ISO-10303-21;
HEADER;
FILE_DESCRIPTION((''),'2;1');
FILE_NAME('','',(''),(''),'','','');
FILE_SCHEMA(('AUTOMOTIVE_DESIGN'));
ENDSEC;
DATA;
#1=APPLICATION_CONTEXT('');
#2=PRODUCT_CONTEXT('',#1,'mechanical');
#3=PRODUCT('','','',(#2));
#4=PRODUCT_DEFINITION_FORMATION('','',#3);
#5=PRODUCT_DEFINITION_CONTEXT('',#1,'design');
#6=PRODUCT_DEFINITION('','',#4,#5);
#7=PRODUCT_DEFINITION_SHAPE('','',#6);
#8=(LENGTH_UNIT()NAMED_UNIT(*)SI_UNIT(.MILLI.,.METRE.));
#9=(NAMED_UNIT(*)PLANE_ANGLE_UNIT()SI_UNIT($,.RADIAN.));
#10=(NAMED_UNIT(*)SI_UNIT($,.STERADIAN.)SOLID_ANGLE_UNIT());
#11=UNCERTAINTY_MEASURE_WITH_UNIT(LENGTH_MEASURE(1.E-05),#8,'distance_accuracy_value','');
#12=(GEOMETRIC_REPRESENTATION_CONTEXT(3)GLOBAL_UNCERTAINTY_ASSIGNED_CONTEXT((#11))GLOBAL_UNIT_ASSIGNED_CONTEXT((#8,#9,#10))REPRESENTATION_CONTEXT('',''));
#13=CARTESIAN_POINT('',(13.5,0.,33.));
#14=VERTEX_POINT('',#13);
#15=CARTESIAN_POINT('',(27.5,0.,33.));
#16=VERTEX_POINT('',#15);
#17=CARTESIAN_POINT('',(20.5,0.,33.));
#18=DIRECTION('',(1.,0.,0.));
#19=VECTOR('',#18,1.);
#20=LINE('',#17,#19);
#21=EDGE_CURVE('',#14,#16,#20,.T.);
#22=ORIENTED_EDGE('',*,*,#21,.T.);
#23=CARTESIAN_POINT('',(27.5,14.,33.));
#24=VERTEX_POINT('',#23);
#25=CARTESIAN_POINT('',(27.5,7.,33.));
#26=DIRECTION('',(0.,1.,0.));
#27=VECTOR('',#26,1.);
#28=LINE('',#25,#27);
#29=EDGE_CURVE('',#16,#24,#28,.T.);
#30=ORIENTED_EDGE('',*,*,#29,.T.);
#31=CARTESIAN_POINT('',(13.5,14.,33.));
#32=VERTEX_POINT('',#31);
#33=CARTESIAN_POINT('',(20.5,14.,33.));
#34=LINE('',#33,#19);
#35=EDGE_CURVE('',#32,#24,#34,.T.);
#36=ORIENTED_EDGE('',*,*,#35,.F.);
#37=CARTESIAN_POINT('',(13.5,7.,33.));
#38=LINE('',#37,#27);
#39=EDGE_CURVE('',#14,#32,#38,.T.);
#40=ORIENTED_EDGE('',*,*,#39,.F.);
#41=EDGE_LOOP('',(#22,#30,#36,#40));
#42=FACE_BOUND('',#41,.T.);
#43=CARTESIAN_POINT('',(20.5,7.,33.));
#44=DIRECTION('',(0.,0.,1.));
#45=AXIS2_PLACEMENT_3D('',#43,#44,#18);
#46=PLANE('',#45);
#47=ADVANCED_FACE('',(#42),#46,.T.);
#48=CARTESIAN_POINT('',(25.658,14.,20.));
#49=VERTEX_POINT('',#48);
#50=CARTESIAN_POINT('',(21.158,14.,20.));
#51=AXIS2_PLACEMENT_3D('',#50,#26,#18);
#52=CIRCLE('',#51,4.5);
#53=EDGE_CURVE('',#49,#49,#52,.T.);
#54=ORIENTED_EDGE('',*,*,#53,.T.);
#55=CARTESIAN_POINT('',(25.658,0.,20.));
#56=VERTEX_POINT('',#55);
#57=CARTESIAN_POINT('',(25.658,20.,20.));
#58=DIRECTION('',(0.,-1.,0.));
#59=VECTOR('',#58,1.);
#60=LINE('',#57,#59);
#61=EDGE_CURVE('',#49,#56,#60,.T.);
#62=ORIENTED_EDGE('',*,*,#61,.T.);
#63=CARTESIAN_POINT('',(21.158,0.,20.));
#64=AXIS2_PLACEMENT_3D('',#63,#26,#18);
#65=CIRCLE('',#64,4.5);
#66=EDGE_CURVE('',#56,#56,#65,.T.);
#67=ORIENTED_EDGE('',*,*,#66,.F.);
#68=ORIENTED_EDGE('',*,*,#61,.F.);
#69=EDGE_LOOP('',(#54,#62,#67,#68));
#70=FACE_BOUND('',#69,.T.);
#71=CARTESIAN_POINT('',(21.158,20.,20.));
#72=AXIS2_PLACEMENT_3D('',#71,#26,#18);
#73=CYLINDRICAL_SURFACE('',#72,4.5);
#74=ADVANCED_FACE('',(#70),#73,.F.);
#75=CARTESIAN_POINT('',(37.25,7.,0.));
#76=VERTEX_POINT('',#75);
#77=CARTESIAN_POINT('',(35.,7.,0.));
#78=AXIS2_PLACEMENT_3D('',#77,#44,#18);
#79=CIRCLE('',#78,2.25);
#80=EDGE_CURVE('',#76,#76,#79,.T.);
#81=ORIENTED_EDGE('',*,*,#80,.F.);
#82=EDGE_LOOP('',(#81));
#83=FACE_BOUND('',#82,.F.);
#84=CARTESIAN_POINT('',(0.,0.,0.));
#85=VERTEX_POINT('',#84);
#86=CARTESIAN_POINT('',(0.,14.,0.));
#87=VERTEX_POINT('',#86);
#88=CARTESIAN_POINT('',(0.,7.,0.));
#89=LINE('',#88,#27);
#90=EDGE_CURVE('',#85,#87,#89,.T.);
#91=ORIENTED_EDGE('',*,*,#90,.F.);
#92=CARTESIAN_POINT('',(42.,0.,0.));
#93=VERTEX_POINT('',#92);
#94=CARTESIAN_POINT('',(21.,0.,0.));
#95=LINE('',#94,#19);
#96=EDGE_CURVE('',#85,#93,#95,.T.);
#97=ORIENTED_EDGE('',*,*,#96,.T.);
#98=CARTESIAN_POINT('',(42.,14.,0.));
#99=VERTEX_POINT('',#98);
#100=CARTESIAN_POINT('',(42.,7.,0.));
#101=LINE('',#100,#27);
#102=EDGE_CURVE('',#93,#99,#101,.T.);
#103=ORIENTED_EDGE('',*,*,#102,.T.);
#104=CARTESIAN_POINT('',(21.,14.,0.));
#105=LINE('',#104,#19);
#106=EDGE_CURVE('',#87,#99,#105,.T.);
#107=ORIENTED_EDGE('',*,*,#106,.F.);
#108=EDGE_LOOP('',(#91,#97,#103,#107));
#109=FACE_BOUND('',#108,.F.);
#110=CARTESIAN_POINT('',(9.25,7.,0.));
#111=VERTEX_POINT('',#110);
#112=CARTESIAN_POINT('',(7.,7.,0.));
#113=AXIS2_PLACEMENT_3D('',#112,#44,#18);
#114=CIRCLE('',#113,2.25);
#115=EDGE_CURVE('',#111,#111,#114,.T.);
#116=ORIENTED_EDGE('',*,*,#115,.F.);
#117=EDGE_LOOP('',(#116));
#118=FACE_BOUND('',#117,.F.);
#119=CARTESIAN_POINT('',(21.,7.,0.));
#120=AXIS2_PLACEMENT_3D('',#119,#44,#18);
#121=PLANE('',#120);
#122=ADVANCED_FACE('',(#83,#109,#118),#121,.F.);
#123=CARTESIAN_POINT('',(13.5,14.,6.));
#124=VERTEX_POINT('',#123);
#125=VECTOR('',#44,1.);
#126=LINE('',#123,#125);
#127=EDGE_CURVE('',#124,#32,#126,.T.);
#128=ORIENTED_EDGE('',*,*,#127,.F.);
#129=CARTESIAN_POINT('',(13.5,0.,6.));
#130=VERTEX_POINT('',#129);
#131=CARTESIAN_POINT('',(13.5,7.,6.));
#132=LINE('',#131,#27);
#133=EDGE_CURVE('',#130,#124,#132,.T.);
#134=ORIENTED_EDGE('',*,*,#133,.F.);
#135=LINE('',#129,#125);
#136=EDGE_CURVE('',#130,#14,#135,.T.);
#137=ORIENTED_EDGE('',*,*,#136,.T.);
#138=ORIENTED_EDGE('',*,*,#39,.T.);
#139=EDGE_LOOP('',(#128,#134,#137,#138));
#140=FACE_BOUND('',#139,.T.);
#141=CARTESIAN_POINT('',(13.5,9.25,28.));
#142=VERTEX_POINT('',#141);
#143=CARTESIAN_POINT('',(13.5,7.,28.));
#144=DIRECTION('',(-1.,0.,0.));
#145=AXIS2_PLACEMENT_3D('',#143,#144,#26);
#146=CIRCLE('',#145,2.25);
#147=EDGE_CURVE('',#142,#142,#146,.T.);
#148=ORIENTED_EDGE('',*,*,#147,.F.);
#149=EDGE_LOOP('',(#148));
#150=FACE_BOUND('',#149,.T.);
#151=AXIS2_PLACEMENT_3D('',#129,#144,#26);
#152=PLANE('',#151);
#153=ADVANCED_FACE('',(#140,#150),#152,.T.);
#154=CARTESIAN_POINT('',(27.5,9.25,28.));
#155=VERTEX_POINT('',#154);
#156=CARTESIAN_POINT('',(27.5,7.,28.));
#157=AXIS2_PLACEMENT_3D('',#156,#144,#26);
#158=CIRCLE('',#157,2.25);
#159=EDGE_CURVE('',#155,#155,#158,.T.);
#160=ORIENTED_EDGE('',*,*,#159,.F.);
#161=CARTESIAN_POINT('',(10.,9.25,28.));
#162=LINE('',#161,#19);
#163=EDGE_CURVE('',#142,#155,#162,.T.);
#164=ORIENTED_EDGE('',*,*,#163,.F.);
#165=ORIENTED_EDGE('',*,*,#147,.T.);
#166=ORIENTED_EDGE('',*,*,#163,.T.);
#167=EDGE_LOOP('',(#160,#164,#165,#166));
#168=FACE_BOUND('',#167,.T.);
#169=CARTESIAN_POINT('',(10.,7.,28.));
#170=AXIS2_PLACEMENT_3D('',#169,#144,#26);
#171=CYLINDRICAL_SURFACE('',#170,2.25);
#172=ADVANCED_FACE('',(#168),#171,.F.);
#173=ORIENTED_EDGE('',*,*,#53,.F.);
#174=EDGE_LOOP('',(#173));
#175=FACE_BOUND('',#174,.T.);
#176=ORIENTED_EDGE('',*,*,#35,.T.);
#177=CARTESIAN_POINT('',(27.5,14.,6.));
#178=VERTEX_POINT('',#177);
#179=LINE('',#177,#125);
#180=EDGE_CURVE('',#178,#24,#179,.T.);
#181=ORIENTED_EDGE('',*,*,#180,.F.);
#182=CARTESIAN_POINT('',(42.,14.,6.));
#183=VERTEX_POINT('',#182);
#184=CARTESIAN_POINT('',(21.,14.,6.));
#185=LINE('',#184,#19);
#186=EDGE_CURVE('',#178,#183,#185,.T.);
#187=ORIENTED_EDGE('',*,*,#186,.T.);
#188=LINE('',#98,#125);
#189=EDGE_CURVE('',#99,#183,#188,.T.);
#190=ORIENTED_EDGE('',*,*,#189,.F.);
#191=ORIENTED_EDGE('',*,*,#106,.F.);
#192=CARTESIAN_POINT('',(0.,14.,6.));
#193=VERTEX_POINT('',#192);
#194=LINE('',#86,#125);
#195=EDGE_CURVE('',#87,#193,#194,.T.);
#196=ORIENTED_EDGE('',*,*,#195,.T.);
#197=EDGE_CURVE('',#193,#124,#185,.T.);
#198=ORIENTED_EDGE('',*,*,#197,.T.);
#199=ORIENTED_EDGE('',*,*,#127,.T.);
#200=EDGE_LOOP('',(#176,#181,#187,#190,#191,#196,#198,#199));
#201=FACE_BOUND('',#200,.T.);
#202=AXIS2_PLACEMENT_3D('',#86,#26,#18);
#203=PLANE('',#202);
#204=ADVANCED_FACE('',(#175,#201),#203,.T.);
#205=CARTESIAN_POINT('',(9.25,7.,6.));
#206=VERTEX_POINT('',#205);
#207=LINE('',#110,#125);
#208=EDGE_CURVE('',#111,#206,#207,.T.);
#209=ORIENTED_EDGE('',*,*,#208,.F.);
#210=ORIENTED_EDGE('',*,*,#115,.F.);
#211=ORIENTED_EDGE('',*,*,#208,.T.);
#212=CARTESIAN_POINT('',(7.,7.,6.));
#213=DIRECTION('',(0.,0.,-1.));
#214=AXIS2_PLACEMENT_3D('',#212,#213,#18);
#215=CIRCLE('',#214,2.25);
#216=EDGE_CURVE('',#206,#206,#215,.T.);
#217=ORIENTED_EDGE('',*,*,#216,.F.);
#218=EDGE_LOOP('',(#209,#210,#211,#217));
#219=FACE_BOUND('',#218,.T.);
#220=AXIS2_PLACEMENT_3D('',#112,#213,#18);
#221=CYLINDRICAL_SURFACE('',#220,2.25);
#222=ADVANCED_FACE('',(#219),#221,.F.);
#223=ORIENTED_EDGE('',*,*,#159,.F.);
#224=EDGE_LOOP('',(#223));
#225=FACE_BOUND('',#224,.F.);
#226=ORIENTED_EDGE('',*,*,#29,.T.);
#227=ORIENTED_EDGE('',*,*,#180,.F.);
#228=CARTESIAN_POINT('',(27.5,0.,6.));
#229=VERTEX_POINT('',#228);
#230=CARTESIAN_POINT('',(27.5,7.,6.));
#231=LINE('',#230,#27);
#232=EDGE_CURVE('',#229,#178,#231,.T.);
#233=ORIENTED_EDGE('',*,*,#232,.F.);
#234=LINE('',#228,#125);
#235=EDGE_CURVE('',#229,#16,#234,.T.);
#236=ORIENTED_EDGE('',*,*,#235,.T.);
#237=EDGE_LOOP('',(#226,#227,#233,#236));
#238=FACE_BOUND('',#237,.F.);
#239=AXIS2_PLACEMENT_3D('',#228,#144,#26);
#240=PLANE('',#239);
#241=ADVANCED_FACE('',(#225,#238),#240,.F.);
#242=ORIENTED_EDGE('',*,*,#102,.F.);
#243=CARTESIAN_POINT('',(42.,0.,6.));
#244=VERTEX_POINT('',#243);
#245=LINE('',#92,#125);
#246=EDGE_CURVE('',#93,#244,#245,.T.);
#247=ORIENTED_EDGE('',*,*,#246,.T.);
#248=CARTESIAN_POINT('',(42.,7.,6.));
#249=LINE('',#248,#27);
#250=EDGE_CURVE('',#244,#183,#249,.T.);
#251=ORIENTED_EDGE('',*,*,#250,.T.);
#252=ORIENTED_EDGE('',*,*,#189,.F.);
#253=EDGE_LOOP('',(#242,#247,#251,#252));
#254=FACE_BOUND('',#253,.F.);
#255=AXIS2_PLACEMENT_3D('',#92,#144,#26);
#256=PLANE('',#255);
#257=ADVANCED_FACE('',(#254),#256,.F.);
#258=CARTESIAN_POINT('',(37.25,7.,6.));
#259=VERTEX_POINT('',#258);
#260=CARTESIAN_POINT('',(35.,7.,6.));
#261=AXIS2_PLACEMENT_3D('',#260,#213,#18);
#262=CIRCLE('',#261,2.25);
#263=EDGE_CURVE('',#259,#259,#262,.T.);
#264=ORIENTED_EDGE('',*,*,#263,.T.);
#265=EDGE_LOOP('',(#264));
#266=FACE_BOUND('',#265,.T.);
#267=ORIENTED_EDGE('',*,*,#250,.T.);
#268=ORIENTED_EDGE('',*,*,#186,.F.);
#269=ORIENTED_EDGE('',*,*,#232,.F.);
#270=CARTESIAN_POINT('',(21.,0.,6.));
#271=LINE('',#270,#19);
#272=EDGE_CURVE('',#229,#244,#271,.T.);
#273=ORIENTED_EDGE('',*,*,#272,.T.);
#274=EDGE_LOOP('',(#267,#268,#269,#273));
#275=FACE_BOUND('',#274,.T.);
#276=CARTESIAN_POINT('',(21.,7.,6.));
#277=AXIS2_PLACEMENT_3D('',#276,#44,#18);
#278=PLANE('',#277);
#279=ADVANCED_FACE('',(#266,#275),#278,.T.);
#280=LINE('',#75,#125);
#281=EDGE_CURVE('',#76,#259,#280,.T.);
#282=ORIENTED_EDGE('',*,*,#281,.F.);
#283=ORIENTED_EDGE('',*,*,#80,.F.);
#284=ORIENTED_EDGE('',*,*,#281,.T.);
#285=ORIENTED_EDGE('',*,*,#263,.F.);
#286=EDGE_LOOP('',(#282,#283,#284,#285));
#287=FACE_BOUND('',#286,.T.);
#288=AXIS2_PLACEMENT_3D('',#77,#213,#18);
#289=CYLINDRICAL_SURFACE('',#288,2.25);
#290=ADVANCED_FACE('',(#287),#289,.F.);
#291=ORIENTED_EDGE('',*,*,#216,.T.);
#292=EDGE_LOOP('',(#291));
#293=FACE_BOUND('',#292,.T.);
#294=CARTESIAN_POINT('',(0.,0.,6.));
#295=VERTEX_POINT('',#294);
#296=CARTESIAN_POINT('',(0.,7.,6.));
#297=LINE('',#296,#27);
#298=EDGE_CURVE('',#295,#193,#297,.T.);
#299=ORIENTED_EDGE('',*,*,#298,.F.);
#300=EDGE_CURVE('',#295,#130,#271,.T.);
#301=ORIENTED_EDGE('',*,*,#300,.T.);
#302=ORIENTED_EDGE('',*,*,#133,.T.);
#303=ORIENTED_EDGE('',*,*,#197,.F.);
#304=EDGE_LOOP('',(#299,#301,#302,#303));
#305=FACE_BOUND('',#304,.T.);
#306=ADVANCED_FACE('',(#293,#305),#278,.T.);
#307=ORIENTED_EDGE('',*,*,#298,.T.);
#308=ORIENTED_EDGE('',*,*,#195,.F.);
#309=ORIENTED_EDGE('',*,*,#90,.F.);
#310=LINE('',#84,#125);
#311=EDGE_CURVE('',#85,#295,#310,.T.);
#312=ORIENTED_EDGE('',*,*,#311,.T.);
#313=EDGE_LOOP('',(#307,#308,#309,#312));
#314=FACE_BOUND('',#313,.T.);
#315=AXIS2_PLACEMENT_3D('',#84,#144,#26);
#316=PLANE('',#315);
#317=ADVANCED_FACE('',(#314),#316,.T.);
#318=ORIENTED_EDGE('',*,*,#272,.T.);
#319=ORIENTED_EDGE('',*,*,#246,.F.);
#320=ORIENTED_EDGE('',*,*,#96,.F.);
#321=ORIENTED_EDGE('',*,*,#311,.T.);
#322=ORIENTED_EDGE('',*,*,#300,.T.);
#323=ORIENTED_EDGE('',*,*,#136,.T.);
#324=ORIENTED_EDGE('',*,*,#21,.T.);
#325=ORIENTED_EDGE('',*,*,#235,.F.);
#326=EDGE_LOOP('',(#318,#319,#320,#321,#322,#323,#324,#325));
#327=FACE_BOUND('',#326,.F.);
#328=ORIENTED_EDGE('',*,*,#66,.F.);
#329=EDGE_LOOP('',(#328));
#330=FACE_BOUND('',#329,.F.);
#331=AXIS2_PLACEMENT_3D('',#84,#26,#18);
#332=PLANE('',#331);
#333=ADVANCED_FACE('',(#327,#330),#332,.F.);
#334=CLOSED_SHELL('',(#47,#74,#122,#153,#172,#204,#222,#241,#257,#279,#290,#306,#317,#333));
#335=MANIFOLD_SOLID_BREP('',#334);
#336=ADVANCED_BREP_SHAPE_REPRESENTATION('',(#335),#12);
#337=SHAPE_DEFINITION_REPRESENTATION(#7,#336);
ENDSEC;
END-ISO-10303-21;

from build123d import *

# Parameters (mm, degrees)
CYLINDER003_R       = 2.25
CYLINDER003_DEPTH   = 10
CYLINDER002_R       = 2.25
CYLINDER002_DEPTH   = 10
CYLINDER001_R       = 2.25
CYLINDER001_DEPTH   = 30
CYLINDER_R          = 4.5
CYLINDER_DEPTH      = 30
CYLINDER_ROLL_ANGLE = 90
BOX001_W            = 14
BOX001_H            = 14
BOX001_DEPTH        = 27
BOX_W               = 42
BOX_H               = 14
BOX_DEPTH           = 6


with BuildPart() as cilindro003:
    # Cylinder003 → Cylinder003 (new body)
    with BuildSketch(Plane(origin=(35, 7, 0), x_dir=(1, 0, 0), z_dir=(0, 0, 1))):
        Circle(CYLINDER003_R)
    extrude(amount=CYLINDER003_DEPTH)


with BuildPart() as cilindro002:
    # Cylinder002 → Cylinder002 (new body)
    with BuildSketch(Plane(origin=(7, 7, 0), x_dir=(1, 0, 0), z_dir=(0, 0, 1))):
        Circle(CYLINDER002_R)
    extrude(amount=CYLINDER002_DEPTH)


with BuildPart() as cilindro001:
    # Cylinder001 → Cylinder001 (new body)
    with BuildSketch(Plane(origin=(10, 7, 28), x_dir=(0, 1, 0), z_dir=(1, 0, 0))):
        Circle(CYLINDER001_R)
    extrude(amount=CYLINDER001_DEPTH)


with BuildPart() as cilindro:
    # Cylinder → Cylinder (new body)
    with BuildSketch(Plane.XY):
        Circle(CYLINDER_R)
    extrude(amount=CYLINDER_DEPTH)


with BuildPart() as cilindro_1:
    # Cylinder roll: moved
    add(cilindro.part.rotate(Axis((0, 0, 0), (1, 0, 0)), CYLINDER_ROLL_ANGLE))


with BuildPart() as cilindro_2:
    # Cylinder placement: moved
    add(cilindro_1.part.moved(Location((21.158, 20, 20))))


with BuildPart() as cubo001:
    # Box001 → Box001 (new body)
    with BuildSketch(Plane(origin=(13.5, 0, 6), x_dir=(1, 0, 0), z_dir=(0, 0, 1))):
        with Locations((7, 7)):
            Rectangle(BOX001_W, BOX001_H)
    extrude(amount=BOX001_DEPTH)


with BuildPart() as cut003:
    # Box → Box (new body)
    with BuildSketch(Plane.XY):
        with Locations((21, 7)):
            Rectangle(BOX_W, BOX_H)
    extrude(amount=BOX_DEPTH)

    # Fusion: union Cubo001
    add(cubo001.part)

    # Cut: cut Cilindro
    add(cilindro_2.part, mode=Mode.SUBTRACT)

    # Cut001: cut Cilindro001
    add(cilindro001.part, mode=Mode.SUBTRACT)

    # Cut002: cut Cilindro002
    add(cilindro002.part, mode=Mode.SUBTRACT)

    # Cut003: cut Cilindro003
    add(cilindro003.part, mode=Mode.SUBTRACT)


solid = cut003.part
